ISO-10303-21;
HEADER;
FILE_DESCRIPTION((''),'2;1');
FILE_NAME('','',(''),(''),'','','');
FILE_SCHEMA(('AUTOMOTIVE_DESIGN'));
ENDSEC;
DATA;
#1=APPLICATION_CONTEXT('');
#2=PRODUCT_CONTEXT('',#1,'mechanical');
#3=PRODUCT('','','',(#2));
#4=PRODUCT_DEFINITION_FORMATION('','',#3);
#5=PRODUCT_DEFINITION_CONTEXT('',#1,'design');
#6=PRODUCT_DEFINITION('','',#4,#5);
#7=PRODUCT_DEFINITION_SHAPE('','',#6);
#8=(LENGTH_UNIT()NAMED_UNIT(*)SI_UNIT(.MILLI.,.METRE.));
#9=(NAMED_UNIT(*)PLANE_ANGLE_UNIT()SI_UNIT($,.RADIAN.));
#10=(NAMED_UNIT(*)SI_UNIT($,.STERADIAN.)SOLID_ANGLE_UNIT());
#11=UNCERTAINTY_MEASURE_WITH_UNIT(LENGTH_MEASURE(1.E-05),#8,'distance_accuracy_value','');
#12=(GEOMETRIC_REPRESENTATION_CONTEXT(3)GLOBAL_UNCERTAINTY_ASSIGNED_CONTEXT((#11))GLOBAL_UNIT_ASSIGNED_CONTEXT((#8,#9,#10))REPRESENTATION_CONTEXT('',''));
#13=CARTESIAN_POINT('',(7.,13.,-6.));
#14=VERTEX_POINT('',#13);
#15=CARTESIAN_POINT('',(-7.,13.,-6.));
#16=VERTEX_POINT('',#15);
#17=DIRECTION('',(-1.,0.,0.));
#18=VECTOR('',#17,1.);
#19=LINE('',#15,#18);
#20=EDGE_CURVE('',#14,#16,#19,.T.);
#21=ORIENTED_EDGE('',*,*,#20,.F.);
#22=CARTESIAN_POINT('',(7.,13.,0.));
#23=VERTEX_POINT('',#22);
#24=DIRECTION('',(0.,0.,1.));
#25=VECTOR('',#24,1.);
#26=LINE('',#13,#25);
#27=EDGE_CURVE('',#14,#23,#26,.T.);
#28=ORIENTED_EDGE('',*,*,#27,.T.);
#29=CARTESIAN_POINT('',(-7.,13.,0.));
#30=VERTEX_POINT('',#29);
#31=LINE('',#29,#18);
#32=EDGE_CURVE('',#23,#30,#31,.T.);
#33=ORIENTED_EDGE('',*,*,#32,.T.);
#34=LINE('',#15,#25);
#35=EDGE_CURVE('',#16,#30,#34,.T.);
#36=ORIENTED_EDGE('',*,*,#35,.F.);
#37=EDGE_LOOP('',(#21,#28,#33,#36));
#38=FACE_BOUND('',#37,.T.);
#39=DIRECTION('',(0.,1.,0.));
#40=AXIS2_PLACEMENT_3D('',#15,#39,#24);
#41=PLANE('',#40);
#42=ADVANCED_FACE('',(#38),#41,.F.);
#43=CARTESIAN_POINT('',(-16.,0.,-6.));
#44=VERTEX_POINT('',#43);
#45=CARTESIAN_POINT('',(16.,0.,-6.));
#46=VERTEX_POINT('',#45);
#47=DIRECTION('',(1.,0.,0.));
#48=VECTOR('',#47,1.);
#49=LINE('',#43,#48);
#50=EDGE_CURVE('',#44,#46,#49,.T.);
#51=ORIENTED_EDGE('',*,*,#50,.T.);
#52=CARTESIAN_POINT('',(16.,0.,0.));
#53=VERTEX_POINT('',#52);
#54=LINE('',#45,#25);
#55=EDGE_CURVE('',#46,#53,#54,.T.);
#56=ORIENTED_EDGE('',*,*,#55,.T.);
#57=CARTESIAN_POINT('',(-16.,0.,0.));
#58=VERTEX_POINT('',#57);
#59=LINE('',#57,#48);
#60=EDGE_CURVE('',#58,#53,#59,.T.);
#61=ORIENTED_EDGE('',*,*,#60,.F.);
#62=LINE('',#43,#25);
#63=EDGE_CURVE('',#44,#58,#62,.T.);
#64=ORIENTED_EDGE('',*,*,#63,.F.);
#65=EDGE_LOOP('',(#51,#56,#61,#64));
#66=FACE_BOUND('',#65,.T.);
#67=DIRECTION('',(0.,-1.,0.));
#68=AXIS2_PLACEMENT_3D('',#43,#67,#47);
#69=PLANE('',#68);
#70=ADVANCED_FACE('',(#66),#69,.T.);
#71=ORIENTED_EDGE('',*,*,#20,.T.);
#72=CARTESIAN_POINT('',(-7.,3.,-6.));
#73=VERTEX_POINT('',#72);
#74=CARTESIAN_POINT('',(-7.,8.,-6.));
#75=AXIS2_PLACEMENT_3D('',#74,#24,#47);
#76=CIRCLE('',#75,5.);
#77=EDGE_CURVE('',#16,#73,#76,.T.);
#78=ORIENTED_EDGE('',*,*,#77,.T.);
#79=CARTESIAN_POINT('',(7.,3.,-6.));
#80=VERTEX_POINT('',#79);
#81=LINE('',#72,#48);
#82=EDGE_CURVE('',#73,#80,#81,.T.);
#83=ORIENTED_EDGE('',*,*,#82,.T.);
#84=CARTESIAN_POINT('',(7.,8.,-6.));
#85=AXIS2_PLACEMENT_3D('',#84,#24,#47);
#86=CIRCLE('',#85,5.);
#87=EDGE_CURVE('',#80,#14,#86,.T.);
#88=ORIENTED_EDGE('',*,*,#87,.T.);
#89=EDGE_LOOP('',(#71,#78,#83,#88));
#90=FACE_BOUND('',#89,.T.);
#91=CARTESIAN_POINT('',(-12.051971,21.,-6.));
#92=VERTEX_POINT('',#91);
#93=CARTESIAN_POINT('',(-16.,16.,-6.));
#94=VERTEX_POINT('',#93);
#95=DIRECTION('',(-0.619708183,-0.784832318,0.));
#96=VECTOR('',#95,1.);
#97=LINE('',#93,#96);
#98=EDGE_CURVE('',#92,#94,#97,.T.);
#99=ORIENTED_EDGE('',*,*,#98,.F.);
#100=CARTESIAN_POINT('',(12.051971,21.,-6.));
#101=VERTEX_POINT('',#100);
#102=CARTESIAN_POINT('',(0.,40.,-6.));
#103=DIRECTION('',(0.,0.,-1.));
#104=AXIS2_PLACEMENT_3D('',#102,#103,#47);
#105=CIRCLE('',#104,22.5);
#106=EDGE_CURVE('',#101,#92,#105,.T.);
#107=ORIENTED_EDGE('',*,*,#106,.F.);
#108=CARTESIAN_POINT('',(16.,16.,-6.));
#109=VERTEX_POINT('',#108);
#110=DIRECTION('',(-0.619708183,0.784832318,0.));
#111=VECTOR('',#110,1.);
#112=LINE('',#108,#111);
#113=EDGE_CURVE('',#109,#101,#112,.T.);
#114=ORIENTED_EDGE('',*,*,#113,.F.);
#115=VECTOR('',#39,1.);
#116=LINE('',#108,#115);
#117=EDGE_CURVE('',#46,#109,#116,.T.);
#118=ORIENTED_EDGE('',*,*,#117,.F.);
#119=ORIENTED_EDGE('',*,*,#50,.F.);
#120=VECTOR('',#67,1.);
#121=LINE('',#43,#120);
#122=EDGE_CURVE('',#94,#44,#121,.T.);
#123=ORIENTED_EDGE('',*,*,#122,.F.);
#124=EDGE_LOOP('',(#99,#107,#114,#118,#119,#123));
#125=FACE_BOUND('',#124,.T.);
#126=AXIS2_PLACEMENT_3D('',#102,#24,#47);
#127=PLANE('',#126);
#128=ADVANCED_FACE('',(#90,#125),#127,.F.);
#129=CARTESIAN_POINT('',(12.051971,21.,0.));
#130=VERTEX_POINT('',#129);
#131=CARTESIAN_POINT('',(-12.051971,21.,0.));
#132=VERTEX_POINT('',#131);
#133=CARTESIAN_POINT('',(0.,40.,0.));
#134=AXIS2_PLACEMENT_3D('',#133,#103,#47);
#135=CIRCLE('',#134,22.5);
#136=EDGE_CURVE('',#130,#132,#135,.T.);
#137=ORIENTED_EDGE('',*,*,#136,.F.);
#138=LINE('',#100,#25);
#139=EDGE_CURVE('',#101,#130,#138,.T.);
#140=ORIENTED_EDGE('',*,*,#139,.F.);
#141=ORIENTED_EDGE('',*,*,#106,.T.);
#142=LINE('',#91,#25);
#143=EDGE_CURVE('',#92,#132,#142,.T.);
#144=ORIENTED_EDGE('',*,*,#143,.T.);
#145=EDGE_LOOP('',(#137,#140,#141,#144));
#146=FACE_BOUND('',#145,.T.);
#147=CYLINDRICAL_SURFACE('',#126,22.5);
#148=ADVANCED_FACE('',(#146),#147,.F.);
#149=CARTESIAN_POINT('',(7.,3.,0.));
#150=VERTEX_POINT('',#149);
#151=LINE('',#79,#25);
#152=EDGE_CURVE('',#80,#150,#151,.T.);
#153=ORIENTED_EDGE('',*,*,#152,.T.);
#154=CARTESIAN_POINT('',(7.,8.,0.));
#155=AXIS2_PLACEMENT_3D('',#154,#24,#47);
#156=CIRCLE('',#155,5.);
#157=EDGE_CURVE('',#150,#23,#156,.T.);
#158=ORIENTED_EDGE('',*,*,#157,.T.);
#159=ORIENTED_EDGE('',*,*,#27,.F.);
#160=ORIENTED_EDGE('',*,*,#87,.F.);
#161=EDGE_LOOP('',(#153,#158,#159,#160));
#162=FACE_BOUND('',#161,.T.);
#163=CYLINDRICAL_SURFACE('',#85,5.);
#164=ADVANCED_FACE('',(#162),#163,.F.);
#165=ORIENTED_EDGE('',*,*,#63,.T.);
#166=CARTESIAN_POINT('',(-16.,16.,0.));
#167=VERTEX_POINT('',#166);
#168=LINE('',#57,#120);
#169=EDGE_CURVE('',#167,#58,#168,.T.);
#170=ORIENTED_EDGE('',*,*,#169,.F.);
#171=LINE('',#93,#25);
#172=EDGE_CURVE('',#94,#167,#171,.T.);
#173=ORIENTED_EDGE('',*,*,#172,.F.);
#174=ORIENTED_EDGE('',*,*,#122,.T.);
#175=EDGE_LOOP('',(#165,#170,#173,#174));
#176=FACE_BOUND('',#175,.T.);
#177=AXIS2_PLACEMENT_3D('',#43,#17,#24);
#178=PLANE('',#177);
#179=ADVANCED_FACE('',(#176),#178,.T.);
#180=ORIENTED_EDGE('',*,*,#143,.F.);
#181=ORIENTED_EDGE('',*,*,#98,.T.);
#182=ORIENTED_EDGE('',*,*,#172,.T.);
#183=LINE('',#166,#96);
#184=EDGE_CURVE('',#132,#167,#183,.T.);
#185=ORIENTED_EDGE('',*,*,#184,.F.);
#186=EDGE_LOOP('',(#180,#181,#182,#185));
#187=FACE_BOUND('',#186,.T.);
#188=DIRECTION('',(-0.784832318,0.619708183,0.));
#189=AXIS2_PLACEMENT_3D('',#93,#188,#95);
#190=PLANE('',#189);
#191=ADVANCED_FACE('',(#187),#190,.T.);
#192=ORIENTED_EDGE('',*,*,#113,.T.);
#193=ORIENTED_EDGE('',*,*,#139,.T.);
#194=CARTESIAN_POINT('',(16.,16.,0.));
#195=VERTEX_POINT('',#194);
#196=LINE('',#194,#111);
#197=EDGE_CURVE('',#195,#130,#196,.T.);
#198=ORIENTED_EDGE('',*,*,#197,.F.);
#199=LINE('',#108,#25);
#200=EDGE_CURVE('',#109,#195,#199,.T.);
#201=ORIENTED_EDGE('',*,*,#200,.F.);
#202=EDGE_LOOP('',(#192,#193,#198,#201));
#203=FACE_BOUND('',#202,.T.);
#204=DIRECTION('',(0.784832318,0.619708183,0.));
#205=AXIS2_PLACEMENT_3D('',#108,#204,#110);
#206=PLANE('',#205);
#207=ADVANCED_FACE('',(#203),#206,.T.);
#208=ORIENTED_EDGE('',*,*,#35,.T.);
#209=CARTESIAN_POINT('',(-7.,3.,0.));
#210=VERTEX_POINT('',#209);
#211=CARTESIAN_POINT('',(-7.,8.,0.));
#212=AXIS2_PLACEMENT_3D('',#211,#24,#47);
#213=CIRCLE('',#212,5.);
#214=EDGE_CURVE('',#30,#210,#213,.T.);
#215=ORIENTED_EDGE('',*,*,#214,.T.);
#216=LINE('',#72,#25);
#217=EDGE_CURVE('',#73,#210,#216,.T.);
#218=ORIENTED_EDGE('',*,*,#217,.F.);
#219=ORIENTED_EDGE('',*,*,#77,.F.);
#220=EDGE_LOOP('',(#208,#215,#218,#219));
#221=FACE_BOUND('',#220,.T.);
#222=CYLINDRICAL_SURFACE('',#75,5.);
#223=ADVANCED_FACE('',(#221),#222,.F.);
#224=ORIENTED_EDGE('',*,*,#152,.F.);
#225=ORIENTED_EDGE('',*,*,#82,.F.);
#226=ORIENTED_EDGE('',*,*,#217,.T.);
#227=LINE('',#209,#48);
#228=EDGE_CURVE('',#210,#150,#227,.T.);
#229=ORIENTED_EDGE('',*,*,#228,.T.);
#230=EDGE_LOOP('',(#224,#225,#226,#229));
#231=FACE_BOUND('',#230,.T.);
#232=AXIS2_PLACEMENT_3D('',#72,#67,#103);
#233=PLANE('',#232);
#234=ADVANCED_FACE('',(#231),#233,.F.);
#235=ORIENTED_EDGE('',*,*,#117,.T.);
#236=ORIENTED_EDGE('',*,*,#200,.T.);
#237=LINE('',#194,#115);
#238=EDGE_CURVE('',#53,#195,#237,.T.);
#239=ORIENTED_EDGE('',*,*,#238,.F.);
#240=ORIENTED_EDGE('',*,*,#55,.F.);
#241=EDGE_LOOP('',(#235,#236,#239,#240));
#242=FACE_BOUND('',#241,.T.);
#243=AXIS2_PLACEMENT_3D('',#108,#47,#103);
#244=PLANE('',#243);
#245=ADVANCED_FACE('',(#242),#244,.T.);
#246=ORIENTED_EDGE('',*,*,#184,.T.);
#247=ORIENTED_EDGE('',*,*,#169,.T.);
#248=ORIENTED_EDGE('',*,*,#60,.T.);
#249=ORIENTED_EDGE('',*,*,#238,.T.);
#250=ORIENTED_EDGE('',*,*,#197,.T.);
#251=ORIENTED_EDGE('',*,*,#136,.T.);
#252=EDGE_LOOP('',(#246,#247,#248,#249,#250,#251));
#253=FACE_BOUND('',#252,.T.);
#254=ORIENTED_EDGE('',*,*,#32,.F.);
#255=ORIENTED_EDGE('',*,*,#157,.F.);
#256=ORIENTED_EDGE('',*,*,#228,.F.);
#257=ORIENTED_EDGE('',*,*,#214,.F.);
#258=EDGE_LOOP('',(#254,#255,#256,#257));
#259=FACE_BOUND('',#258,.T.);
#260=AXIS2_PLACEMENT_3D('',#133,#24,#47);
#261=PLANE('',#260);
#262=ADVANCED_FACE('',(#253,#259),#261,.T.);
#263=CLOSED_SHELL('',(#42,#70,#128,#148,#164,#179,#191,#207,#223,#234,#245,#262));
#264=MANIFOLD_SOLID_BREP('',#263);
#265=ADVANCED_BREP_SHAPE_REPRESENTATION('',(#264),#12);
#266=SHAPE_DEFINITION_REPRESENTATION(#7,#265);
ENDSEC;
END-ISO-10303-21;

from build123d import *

# Parameters (mm, degrees)
BOSS_EXTRU_2_DEPTH = 6


with BuildPart() as part:
    # Esquisse1 → Boss.-Extru.2 (new body)
    with BuildSketch(Plane.XY):
        with BuildLine():
            Line((-16, 0), (16, 0))
            Line((16, 0), (16, 16))
            Line((16, 16), (12.051970793, 21))
            ThreePointArc((12.051970793, 21), (0, 17.5), (-12.051970793, 21))
            Line((-12.051970793, 21), (-16, 16))
            Line((-16, 16), (-16, 0))
        make_face()
        with BuildLine():
            Line((-7, 13), (7, 13))
            ThreePointArc((7, 13), (12, 8), (7, 3))
            Line((7, 3), (-7, 3))
            ThreePointArc((-7, 3), (-12, 8), (-7, 13))
        make_face(mode=Mode.SUBTRACT)
    extrude(amount=-BOSS_EXTRU_2_DEPTH)


solid = part.part
